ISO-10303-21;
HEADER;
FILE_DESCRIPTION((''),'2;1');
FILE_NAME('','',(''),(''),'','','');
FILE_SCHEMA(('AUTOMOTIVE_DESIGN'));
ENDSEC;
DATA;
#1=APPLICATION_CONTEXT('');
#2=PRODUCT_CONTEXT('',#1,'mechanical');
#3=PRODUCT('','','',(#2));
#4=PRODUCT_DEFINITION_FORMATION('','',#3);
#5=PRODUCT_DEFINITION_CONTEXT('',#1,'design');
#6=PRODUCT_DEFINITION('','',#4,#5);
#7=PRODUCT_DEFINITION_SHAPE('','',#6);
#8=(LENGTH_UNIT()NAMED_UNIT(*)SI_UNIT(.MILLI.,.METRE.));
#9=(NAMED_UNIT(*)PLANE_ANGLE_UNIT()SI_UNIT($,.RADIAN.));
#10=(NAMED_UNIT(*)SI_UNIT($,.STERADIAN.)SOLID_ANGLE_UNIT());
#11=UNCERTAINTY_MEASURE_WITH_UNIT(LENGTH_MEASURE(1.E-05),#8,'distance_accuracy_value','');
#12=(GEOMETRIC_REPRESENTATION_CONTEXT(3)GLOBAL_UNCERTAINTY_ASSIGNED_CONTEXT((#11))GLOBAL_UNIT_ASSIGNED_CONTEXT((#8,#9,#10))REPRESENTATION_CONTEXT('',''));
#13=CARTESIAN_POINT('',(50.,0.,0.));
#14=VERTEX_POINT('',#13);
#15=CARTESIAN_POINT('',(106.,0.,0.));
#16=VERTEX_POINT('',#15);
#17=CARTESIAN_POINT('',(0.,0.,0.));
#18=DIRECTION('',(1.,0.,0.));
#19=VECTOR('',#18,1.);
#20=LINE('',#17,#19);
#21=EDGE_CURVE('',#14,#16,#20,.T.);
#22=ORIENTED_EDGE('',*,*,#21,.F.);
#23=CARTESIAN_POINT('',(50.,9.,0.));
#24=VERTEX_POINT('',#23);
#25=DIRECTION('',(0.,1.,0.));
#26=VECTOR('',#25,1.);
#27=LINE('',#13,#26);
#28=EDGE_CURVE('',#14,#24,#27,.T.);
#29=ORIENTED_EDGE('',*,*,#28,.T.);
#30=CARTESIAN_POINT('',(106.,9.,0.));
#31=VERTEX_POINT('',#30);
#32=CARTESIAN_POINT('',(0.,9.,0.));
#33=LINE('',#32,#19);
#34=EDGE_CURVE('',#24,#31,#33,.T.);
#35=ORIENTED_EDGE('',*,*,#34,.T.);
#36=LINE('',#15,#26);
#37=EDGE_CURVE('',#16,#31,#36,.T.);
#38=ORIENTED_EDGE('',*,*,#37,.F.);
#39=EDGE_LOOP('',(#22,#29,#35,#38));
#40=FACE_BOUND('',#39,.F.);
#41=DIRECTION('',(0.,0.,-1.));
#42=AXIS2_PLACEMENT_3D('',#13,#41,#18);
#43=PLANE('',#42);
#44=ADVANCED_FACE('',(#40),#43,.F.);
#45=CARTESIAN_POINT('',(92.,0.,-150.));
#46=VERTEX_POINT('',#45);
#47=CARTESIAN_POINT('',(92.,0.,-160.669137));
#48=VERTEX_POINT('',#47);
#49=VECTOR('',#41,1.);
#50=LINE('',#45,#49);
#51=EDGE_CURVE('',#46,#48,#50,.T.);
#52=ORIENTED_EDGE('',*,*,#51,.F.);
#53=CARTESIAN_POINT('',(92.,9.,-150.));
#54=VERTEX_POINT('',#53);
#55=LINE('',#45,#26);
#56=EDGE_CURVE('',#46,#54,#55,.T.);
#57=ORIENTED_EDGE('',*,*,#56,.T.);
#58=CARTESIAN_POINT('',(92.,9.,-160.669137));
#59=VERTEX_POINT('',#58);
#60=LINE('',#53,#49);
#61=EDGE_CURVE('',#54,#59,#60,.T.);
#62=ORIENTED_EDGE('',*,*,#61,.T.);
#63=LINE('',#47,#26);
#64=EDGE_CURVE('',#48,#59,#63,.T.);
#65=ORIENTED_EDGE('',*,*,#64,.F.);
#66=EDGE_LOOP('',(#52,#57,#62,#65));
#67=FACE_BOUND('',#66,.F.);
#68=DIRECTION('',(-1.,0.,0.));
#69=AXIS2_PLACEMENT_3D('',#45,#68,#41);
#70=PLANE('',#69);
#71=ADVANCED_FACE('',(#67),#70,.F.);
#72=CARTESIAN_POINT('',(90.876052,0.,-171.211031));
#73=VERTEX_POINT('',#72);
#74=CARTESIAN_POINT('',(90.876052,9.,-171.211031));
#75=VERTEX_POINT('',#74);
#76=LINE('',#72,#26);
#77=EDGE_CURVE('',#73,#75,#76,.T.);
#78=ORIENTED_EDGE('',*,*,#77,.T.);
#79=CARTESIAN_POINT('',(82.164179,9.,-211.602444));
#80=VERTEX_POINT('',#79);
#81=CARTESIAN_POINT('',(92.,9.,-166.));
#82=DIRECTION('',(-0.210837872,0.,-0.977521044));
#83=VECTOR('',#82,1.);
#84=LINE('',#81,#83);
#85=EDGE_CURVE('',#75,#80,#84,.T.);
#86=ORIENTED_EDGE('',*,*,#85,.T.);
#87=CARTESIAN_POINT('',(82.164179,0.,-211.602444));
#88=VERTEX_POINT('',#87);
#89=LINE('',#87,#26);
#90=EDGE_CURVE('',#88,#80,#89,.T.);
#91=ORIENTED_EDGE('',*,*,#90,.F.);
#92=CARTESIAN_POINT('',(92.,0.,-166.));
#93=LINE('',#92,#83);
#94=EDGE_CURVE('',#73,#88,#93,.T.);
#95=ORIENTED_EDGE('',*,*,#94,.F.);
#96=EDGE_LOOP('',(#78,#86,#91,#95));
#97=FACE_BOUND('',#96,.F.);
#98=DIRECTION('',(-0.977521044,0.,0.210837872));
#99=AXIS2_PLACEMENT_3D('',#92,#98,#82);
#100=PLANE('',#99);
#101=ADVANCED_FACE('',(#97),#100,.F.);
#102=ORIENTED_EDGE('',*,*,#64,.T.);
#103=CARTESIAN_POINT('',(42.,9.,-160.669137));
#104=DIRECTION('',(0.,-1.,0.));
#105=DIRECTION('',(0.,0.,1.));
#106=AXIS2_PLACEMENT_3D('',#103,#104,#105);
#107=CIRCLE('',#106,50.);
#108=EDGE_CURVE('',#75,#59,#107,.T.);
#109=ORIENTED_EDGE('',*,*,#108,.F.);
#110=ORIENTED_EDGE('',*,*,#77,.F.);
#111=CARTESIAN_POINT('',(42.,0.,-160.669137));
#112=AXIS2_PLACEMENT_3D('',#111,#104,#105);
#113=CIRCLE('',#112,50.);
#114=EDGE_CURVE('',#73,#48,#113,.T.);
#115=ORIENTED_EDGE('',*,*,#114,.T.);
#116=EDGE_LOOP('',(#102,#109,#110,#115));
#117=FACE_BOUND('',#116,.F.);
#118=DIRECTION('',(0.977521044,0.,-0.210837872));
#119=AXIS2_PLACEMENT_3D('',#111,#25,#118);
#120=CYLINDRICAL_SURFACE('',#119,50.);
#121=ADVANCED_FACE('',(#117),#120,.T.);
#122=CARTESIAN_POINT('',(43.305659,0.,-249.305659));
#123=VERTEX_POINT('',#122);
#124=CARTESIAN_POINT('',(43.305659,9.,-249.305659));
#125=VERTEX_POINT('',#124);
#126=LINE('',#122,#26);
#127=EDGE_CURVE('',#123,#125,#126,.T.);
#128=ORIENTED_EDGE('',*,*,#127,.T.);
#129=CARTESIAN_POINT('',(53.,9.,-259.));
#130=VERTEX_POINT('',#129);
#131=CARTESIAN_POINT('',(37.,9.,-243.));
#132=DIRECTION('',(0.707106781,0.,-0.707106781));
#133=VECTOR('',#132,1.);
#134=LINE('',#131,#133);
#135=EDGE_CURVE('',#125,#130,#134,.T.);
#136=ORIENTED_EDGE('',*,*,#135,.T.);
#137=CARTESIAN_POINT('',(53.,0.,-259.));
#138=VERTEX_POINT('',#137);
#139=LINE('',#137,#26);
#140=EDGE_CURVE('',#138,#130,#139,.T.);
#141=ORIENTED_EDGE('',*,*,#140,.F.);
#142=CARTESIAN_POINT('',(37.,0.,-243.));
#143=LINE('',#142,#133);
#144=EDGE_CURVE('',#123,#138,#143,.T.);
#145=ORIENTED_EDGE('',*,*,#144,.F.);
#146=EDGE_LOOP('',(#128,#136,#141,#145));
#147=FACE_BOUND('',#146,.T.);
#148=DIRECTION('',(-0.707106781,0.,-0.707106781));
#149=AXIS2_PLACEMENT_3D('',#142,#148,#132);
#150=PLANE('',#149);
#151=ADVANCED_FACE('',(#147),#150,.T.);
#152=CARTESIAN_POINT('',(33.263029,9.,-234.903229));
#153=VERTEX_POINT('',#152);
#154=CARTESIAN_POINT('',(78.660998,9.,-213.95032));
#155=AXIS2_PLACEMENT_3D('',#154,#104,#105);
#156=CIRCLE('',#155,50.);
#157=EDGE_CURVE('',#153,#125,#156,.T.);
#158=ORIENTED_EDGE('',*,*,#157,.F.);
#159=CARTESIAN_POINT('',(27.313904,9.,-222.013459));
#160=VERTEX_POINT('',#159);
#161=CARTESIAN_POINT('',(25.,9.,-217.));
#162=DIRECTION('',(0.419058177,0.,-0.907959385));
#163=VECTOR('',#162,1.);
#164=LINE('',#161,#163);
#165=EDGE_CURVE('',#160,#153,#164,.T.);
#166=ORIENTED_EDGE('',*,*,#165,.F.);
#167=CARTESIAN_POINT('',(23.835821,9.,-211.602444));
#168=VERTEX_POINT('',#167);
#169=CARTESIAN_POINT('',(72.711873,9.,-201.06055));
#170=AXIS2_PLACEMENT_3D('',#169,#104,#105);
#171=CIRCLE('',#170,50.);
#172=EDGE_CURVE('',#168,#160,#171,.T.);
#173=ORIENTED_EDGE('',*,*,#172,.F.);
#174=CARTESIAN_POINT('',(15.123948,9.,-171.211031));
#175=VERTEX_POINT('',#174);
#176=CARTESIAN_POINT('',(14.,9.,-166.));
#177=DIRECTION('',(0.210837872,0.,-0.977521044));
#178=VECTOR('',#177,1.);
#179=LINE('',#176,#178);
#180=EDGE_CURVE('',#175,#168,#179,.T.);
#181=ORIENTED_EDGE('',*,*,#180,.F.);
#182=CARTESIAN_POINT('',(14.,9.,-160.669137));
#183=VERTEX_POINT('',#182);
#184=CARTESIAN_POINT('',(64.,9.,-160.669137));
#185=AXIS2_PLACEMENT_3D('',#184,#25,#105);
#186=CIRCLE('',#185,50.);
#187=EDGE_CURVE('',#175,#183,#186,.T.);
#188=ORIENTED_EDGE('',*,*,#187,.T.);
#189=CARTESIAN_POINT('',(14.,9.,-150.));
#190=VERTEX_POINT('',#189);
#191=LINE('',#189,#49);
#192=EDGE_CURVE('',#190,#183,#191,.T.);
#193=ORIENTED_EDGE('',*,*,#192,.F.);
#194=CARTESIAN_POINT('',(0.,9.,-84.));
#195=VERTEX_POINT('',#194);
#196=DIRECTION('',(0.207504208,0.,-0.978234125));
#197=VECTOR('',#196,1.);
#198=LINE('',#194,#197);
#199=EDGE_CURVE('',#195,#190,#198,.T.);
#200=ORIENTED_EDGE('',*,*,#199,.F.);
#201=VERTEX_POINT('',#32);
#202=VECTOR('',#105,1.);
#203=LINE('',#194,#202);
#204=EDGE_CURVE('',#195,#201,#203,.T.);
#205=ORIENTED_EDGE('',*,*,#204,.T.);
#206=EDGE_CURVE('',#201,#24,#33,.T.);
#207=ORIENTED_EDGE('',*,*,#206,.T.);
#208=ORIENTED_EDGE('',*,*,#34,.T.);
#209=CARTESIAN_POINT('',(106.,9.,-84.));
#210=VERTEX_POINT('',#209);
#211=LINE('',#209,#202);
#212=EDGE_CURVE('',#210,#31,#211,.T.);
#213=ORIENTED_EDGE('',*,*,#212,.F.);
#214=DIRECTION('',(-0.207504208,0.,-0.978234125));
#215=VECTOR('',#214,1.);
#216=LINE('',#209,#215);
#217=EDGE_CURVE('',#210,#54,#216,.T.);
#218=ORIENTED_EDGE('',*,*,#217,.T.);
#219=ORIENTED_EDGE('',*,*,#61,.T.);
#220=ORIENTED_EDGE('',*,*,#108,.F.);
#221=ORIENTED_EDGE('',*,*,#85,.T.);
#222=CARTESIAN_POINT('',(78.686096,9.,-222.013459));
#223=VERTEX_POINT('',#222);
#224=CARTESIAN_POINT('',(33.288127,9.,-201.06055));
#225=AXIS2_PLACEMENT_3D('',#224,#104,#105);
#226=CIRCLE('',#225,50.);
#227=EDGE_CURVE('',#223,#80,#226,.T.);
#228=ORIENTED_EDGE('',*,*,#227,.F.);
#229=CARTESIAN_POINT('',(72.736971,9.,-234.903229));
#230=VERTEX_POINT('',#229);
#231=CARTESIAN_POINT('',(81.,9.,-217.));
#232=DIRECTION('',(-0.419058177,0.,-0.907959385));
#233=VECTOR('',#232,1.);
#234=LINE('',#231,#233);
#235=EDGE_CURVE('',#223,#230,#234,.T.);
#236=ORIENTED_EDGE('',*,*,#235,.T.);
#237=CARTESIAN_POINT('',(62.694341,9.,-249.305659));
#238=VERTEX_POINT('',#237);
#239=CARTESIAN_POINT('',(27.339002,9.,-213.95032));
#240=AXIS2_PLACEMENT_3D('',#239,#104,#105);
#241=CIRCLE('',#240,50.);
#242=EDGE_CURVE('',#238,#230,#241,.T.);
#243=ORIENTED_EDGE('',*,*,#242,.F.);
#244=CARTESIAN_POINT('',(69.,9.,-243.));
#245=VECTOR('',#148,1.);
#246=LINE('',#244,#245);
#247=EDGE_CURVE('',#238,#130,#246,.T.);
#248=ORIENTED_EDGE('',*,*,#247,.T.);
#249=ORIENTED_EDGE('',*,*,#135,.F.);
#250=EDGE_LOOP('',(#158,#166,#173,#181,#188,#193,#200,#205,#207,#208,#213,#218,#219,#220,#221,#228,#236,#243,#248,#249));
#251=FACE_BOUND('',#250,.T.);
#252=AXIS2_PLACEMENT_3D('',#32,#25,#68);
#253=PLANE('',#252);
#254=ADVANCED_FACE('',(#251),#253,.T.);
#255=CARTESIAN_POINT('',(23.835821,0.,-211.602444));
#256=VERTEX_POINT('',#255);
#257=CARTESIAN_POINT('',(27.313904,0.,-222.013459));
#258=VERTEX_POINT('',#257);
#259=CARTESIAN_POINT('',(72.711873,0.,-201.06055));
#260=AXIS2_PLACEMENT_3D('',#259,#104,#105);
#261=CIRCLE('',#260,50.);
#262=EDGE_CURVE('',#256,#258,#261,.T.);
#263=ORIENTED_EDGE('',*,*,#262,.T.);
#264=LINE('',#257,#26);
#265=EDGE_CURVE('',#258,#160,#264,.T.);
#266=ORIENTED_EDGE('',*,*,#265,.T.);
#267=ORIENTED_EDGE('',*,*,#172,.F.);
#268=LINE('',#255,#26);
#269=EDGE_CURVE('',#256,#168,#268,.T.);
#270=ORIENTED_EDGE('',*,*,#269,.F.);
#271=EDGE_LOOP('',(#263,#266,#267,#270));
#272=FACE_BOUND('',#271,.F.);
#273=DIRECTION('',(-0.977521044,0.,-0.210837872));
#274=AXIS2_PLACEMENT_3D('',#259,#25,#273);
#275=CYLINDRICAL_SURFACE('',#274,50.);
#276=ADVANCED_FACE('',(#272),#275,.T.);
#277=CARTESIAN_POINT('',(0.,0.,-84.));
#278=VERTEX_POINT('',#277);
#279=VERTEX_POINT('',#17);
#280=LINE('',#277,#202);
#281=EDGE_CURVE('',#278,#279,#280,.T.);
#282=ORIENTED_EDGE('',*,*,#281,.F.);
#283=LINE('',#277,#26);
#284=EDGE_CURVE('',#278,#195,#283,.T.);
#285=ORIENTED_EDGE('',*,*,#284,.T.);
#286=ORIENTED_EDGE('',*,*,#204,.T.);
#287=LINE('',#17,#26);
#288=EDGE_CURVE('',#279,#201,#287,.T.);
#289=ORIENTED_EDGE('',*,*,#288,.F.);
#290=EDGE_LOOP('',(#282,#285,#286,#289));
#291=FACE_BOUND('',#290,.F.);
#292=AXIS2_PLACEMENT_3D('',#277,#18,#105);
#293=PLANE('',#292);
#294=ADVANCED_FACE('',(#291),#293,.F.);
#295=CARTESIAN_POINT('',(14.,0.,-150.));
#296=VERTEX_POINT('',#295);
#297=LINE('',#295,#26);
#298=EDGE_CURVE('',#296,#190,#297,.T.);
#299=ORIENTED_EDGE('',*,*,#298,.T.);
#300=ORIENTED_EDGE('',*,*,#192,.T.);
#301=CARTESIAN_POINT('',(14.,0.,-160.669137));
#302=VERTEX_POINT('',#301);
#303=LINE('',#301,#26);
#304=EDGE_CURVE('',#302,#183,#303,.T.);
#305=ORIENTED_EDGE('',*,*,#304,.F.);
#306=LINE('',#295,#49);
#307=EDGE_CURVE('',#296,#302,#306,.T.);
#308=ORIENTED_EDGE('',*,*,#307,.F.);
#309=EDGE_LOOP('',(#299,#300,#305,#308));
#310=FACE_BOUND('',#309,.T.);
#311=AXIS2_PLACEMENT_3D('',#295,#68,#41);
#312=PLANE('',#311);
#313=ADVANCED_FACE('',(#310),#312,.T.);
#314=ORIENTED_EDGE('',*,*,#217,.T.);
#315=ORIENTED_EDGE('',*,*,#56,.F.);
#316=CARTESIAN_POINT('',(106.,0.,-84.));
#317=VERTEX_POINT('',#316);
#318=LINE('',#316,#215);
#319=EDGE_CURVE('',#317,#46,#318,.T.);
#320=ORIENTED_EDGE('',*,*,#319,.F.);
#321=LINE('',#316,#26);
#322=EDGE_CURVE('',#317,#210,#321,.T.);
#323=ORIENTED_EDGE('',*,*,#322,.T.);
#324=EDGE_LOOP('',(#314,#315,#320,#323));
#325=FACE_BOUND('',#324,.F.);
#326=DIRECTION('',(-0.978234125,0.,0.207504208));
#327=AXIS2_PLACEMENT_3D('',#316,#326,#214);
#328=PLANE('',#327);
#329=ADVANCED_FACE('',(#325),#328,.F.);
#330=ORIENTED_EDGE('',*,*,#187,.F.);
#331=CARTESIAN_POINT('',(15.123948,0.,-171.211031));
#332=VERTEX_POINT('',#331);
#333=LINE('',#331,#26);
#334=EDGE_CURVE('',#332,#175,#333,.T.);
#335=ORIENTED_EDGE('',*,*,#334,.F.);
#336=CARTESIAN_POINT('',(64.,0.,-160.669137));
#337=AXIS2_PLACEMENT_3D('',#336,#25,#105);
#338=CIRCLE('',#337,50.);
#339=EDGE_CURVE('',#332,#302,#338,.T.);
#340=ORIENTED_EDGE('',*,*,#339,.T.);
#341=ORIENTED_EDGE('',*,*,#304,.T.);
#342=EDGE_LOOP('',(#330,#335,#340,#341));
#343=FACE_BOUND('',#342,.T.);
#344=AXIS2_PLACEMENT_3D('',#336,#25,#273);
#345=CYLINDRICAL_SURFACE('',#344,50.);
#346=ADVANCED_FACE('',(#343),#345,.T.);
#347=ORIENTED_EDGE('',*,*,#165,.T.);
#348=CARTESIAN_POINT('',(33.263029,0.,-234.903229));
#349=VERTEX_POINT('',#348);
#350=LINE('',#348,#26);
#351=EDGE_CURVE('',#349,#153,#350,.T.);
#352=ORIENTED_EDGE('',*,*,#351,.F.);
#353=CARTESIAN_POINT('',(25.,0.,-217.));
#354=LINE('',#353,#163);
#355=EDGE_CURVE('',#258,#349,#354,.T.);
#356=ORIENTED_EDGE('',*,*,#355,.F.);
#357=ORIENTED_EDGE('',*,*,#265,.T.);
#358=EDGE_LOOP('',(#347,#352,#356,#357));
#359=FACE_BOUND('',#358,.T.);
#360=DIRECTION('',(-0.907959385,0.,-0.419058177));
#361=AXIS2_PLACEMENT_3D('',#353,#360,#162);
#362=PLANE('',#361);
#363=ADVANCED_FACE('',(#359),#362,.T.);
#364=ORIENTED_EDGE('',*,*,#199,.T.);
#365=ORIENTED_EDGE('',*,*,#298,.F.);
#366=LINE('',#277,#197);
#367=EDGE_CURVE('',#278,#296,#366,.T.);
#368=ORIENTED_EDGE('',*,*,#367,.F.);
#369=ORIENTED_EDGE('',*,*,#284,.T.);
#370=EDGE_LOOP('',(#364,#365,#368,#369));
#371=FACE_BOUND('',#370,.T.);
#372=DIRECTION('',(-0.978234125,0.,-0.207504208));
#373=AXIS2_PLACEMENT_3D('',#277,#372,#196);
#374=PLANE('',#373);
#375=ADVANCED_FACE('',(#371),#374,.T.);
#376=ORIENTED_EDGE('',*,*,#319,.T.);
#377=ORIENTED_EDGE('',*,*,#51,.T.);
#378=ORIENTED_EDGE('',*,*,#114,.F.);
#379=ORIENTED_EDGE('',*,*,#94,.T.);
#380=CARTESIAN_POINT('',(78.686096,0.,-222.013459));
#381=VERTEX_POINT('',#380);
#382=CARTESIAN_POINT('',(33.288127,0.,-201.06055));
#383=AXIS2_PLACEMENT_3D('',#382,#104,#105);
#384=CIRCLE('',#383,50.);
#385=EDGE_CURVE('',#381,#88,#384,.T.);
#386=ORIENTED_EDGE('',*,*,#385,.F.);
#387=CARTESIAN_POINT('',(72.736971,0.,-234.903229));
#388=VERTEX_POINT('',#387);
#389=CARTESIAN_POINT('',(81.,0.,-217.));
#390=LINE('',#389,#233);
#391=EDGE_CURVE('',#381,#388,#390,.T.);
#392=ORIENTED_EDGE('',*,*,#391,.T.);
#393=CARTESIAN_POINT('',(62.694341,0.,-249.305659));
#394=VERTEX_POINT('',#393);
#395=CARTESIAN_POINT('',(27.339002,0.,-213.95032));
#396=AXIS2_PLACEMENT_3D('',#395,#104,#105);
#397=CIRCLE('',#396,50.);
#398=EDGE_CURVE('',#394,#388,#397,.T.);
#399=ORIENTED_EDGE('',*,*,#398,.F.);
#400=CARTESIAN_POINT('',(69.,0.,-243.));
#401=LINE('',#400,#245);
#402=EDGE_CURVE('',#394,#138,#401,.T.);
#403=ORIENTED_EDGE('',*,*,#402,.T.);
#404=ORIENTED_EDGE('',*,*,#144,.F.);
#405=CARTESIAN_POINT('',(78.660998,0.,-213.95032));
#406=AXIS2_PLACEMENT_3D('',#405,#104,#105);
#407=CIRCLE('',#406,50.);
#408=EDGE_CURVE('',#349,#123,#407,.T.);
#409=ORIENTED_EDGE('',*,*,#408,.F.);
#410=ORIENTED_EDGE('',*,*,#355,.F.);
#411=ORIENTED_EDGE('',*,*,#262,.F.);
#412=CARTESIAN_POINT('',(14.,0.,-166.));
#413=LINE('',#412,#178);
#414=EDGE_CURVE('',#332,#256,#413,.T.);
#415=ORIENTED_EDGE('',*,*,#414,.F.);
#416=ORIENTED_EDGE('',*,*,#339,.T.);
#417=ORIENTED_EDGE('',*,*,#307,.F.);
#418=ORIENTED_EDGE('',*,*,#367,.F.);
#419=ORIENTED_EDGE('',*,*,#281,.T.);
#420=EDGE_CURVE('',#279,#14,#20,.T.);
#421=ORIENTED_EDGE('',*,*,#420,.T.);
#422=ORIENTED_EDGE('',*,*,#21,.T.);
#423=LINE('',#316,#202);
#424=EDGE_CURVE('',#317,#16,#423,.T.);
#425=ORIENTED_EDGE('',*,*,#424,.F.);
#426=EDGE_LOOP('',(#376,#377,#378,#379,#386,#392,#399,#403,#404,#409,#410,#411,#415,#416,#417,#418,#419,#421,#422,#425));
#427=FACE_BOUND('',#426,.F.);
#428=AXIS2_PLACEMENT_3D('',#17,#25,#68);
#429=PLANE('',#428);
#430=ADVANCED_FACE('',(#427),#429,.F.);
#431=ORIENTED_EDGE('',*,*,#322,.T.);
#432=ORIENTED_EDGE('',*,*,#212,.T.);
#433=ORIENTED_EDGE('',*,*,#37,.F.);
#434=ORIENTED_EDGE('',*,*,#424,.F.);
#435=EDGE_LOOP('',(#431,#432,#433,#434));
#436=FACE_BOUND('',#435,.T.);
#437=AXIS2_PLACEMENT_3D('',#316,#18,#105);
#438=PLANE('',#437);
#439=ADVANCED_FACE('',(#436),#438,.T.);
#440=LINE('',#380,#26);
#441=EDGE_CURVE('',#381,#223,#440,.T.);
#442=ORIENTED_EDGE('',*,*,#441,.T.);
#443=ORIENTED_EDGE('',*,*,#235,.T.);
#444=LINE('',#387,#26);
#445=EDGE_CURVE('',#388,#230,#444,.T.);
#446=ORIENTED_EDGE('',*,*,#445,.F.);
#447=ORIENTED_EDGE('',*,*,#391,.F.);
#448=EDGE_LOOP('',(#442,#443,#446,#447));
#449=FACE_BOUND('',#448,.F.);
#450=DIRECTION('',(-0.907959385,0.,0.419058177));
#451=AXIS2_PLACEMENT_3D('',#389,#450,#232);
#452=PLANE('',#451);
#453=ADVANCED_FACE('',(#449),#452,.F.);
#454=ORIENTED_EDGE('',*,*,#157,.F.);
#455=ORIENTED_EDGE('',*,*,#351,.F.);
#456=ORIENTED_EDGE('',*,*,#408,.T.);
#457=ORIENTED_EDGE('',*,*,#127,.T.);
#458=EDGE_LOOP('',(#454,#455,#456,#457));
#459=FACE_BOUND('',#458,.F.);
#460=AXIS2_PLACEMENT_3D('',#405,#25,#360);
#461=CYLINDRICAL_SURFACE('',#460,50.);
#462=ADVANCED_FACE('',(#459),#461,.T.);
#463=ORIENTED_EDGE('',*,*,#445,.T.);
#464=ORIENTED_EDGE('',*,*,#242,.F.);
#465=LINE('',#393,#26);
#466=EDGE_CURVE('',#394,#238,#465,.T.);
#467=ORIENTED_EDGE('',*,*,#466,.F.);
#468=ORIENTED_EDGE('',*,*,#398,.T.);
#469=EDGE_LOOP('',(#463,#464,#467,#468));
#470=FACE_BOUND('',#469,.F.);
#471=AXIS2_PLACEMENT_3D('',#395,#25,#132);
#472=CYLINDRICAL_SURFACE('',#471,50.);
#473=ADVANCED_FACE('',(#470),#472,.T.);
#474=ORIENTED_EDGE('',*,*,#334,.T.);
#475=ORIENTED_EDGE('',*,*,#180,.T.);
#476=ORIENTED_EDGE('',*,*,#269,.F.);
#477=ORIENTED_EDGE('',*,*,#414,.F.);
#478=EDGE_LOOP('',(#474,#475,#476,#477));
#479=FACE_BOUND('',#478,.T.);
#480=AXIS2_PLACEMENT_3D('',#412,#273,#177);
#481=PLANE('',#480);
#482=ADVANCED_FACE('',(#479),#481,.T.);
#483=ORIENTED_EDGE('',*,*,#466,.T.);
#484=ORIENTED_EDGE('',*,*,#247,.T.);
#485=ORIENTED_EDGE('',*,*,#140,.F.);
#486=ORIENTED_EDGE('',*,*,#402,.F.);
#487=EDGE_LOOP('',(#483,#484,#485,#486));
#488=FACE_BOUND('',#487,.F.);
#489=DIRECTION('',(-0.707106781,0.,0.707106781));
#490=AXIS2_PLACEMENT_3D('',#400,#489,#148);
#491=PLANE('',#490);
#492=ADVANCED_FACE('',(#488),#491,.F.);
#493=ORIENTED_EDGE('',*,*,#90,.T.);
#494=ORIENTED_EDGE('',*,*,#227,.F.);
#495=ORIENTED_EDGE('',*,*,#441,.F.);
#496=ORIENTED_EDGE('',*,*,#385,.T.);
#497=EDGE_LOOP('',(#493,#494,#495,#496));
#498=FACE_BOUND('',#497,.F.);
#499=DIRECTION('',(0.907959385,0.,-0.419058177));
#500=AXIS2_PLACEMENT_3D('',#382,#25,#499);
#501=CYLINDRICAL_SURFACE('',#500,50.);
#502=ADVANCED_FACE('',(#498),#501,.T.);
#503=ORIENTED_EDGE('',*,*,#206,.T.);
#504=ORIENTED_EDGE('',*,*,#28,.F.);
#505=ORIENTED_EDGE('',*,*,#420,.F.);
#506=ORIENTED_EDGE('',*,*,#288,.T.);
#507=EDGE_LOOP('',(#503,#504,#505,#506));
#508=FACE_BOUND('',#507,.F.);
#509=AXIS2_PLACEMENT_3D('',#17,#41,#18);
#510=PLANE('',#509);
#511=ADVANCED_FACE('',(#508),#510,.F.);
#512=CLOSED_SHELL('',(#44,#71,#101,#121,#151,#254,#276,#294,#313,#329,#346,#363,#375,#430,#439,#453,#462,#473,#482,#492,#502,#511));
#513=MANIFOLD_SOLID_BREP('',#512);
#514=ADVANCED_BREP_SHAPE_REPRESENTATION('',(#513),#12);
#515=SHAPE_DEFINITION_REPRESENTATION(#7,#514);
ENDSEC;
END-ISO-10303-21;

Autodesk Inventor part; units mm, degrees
ref_plane "YZ Plane" through (0, 0, 0) normal (1, 0, 0) x (0, 1, 0)
ref_plane "XZ Plane" through (0, 0, 0) normal (0, 1, 0) x (-1, 0, 0)
ref_plane "XY Plane" through (0, 0, 0) normal (0, 0, 1) x (1, 0, 0)
sketch "Boceto1" plane through (0, 0, 0) normal (0, 1, 0) x (-1, 0, 0)
  line L0 (0, 0) -> (-50, 0)
  line L1 (0, -84) -> (0, 0)
  line L2 (0, -84) -> (-14, -150)
  line L3 (-14, -150) -> (-14, -166)
  line L4 (-14, -166) -> (-25, -217)
  line L5 (-25, -217) -> (-37, -243)
  line L6 (-37, -243) -> (-53, -259)
  line L7 (-106, -84) -> (-106, 0)
  line L8 (-106, -84) -> (-92, -150)
  line L9 (-92, -150) -> (-92, -166)
  line L10 (-92, -166) -> (-81, -217)
  line L11 (-81, -217) -> (-69, -243)
  line L12 (-69, -243) -> (-53, -259)
  line L13 (0, 0) -> (-106, 0)
extrude "Extrusión1" add sketch "Boceto1" along normal blind 9
fillet "Empalme1" radius 50 1 edges at (92, 4.5, -166)
fillet "Empalme2" radius 50 1 edges at (14, 4.5, -166)
fillet "Empalme3" radius 50 4 edges at (25, 4.5, -217) (81, 4.5, -217) (69, 4.5, -243) (37, 4.5, -243)
equation "\"Radio_pliegue\" = Grosor"
equation "\"Anchura_desahogo_plegado\" = Grosor"
equation "\"Profundidad_desahogo_plegado\" = 0.5 * Grosor"
equation "\"Tamaño_destalonado\" = 4 * Grosor"
equation "\"Remanente_mínimo\" = 2 * Grosor"
equation "\"Radiodetransición\" = Radio_pliegue"
equation "\"Tamaño_de_radio_de_Jacobi\" = Radio_pliegue"
equation "\"TamañoSeparación\" = Grosor"
equation "\"Grosor\" = 0.5"
properties part number "chasis"
